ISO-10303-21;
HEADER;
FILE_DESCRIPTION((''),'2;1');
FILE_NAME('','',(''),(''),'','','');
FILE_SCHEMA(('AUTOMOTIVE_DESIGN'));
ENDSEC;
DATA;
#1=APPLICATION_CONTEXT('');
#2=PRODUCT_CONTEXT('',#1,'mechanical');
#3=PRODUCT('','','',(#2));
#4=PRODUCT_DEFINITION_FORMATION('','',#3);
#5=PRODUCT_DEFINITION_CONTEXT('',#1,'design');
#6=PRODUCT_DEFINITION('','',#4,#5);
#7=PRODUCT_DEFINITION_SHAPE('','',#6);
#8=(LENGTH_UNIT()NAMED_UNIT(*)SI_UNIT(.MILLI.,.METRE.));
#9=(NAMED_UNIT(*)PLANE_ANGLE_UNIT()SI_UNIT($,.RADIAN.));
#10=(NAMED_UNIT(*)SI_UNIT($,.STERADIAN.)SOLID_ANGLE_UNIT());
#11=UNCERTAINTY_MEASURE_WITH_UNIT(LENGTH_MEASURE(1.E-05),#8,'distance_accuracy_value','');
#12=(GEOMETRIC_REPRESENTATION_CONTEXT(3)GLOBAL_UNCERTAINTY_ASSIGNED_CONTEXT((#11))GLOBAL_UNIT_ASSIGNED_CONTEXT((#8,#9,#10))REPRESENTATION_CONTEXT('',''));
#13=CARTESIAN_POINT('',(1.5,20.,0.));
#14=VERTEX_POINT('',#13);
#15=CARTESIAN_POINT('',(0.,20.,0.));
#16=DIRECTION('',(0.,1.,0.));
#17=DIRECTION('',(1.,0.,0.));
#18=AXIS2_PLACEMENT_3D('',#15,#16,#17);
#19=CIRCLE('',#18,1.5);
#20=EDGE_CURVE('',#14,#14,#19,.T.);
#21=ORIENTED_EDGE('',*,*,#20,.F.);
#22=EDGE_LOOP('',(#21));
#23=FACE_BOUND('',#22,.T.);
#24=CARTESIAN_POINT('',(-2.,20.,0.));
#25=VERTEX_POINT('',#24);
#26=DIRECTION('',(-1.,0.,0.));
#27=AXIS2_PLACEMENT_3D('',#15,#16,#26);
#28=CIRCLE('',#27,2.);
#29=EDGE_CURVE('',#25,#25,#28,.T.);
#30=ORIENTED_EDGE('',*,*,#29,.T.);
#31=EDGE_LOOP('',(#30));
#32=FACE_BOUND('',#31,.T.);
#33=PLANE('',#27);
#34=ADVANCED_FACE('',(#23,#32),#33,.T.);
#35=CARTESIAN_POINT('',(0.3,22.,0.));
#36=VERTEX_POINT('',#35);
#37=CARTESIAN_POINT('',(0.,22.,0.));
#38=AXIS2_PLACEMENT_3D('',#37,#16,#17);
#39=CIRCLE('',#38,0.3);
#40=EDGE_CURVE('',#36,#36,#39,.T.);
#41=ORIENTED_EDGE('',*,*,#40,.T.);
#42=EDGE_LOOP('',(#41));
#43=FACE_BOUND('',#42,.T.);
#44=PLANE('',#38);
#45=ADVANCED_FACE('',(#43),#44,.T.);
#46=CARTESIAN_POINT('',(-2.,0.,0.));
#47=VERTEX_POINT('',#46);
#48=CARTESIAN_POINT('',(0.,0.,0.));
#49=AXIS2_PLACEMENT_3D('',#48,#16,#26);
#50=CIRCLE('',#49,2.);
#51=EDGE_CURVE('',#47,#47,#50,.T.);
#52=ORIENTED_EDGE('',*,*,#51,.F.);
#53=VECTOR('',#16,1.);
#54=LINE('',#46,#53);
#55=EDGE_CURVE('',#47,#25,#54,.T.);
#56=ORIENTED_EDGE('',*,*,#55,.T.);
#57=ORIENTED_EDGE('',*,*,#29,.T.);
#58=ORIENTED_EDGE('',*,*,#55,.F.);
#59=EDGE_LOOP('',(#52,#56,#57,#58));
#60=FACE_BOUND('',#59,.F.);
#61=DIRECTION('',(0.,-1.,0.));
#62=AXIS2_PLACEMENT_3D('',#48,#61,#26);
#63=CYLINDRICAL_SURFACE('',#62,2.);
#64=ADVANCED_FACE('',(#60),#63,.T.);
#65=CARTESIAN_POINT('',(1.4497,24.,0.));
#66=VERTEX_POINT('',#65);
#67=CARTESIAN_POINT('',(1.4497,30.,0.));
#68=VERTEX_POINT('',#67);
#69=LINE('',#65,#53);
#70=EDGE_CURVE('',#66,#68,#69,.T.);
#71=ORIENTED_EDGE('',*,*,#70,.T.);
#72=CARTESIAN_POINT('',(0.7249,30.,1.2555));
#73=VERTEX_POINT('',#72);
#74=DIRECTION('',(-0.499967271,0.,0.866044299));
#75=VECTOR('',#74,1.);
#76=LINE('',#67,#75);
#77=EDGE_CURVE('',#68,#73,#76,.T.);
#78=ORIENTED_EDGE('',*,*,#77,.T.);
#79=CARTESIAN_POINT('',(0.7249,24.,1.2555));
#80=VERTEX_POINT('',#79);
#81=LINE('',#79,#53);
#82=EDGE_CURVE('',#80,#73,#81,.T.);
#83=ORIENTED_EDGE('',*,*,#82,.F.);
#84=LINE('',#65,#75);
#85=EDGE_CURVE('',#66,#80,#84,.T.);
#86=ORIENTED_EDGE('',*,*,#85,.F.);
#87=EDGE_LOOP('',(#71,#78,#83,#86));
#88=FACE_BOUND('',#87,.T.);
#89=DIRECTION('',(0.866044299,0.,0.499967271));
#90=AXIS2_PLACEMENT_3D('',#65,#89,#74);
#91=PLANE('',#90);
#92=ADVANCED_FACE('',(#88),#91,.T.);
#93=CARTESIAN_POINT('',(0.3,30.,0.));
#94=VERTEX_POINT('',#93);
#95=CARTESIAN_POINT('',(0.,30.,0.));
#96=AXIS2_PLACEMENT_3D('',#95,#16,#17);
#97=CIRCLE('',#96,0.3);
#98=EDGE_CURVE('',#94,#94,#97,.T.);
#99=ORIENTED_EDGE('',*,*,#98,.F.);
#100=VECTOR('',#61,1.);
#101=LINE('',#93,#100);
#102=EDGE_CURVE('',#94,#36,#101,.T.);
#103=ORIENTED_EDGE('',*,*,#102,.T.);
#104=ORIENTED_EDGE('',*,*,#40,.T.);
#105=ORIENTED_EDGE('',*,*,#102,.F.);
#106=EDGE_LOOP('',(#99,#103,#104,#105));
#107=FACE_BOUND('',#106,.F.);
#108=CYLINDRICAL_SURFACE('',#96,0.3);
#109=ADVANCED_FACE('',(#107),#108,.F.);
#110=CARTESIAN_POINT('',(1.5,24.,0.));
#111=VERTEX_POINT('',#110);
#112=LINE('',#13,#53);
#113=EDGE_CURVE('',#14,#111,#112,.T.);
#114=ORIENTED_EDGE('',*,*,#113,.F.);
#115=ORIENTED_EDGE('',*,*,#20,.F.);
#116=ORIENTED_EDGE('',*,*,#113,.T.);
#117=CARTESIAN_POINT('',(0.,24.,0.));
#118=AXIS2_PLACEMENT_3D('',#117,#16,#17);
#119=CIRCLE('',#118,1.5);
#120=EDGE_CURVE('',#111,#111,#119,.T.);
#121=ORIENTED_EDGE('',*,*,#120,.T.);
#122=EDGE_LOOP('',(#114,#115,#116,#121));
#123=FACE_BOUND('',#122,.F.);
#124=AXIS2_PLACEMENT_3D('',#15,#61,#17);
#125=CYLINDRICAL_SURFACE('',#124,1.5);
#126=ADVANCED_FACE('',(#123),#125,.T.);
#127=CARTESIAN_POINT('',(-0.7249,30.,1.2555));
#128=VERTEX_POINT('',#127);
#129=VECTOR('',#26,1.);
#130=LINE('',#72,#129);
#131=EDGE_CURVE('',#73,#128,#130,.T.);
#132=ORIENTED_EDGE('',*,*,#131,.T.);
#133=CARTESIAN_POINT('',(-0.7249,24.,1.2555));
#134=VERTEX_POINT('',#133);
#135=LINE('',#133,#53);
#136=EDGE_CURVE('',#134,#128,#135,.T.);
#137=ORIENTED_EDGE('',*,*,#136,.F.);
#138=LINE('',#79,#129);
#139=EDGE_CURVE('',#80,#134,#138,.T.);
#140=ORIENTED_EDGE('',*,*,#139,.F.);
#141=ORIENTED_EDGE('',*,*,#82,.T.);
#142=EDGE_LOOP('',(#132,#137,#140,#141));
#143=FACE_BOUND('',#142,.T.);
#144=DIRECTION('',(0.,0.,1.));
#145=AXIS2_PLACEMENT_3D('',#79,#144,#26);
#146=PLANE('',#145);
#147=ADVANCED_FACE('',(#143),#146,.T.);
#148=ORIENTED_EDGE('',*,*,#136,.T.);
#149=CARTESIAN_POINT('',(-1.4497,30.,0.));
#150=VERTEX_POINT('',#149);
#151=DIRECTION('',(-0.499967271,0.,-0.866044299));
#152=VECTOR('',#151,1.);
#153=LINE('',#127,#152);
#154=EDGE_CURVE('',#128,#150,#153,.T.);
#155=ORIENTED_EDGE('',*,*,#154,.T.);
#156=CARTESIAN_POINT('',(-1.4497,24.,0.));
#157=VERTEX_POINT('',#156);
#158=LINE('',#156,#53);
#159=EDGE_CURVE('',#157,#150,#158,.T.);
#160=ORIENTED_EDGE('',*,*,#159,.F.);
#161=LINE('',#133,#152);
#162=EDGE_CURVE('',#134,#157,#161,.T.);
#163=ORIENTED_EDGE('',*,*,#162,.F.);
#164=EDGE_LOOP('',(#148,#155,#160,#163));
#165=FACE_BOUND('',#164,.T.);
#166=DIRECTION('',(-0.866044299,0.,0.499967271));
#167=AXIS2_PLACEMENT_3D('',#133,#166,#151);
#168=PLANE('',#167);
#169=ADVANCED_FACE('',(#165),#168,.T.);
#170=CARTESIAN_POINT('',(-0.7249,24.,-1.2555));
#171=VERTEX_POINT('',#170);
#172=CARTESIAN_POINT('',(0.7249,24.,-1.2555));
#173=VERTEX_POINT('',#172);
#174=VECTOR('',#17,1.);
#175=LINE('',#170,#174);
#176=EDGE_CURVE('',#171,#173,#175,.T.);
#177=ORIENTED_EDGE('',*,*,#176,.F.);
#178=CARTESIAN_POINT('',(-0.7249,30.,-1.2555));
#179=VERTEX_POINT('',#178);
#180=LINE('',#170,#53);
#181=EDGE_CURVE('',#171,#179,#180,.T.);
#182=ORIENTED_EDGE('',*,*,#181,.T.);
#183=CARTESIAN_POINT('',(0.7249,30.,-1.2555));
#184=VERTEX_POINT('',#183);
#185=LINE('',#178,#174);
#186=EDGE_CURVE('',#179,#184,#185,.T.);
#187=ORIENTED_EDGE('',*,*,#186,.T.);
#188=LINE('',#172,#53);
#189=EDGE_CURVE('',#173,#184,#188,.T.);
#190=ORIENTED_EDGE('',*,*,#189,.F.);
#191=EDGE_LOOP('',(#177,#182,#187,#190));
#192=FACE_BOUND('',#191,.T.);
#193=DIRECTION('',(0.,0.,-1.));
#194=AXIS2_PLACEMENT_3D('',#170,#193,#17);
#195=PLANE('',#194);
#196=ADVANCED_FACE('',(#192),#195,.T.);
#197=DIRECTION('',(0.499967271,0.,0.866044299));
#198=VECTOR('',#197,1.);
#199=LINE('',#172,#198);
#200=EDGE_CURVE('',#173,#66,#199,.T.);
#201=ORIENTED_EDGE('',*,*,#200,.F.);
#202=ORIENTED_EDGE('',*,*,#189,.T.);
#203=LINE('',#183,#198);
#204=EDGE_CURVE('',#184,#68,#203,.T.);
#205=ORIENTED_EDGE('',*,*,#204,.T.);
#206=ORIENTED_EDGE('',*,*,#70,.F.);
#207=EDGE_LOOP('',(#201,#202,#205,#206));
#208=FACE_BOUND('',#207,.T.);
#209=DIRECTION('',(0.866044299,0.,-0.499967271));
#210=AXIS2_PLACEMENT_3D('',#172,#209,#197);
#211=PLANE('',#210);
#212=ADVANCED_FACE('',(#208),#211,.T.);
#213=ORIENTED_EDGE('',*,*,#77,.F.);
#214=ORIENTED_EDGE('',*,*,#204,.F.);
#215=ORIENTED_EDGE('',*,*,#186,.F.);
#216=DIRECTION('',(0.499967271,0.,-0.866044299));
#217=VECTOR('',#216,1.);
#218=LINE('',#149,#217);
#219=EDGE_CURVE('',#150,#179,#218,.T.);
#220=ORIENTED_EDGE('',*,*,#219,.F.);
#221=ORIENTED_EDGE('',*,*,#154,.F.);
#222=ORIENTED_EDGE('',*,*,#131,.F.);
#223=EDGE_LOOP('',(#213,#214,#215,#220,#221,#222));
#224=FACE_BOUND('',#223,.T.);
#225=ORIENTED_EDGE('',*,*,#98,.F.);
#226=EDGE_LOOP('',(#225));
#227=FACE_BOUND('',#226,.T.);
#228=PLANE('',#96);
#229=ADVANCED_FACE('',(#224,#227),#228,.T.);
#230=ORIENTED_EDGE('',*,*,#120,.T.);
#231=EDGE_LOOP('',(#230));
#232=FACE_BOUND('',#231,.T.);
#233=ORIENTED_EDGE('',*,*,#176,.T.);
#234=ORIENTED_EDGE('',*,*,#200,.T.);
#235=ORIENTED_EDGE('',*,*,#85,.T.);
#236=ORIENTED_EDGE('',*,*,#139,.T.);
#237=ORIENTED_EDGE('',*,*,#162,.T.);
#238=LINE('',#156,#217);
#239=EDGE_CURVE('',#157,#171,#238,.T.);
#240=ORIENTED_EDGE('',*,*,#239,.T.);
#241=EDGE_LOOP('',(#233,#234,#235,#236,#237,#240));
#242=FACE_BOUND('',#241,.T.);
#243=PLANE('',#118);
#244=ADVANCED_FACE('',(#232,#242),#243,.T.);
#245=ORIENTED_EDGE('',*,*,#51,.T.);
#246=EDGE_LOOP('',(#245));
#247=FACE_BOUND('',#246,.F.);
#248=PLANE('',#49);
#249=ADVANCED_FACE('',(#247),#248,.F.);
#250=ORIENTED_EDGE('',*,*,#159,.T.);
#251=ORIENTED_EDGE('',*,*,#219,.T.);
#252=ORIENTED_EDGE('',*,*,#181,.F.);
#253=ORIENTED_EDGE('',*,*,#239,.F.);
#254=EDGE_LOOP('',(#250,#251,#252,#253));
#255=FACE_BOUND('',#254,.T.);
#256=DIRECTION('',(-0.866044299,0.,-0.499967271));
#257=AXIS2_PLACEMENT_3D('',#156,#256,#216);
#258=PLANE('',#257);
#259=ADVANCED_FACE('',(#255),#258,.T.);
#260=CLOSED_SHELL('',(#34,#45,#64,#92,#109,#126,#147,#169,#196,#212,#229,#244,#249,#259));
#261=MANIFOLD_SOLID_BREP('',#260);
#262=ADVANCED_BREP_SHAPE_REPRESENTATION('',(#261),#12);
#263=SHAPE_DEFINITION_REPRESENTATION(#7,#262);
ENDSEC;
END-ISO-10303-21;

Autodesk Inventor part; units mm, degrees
ref_plane "YZ Plane" through (0, 0, 0) normal (1, 0, 0) x (0, 1, 0)
ref_plane "XZ Plane" through (0, 0, 0) normal (0, 1, 0) x (-1, 0, 0)
ref_plane "XY Plane" through (0, 0, 0) normal (0, 0, 1) x (1, 0, 0)
sketch "Sketch1" plane through (0, 0, 0) normal (0, 1, 0) x (-1, 0, 0)
  circle A0 centre (0, 0) radius 2
  dimension "d0" = 4
extrude "Extrusion1" add sketch "Sketch1" along normal blind 20
sketch "Sketch2" plane through (0, 20, 0) normal (0, 1, 0) x (1, 0, 0)
  circle A0 centre (0, 0) radius 1.5
  dimension "d3" = 3
extrude "Extrusion2" add sketch "Sketch2" along normal blind 4
sketch "Sketch3" plane through (0, 24, 0) normal (0, 1, 0) x (1, 0, 0)
  line L0 (-1.4497, 0) -> (-0.7249, 1.2555)
  line L1 (-0.7249, 1.2555) -> (0.7249, 1.2555)
  line L2 (0.7249, 1.2555) -> (1.4497, 0)
  line L3 (1.4497, 0) -> (0.7249, -1.2555)
  line L4 (0.7249, -1.2555) -> (-0.7249, -1.2555)
  line L5 (-0.7249, -1.2555) -> (-1.4497, 0)
  point P0 (0, 0)
  point P1 (0, 0)
  dimension "d6" = 2.511
extrude "Extrusion3" add sketch "Sketch3" along normal blind 6
sketch "Sketch4" plane through (0, 30, 0) normal (0, 1, 0) x (1, 0, 0)
  circle A0 centre (0, 0) radius 0.3
  dimension "d9" = 0.6
extrude "Extrusion4" cut sketch "Sketch4" against normal blind 8
properties part number "39-10-202-A2"
